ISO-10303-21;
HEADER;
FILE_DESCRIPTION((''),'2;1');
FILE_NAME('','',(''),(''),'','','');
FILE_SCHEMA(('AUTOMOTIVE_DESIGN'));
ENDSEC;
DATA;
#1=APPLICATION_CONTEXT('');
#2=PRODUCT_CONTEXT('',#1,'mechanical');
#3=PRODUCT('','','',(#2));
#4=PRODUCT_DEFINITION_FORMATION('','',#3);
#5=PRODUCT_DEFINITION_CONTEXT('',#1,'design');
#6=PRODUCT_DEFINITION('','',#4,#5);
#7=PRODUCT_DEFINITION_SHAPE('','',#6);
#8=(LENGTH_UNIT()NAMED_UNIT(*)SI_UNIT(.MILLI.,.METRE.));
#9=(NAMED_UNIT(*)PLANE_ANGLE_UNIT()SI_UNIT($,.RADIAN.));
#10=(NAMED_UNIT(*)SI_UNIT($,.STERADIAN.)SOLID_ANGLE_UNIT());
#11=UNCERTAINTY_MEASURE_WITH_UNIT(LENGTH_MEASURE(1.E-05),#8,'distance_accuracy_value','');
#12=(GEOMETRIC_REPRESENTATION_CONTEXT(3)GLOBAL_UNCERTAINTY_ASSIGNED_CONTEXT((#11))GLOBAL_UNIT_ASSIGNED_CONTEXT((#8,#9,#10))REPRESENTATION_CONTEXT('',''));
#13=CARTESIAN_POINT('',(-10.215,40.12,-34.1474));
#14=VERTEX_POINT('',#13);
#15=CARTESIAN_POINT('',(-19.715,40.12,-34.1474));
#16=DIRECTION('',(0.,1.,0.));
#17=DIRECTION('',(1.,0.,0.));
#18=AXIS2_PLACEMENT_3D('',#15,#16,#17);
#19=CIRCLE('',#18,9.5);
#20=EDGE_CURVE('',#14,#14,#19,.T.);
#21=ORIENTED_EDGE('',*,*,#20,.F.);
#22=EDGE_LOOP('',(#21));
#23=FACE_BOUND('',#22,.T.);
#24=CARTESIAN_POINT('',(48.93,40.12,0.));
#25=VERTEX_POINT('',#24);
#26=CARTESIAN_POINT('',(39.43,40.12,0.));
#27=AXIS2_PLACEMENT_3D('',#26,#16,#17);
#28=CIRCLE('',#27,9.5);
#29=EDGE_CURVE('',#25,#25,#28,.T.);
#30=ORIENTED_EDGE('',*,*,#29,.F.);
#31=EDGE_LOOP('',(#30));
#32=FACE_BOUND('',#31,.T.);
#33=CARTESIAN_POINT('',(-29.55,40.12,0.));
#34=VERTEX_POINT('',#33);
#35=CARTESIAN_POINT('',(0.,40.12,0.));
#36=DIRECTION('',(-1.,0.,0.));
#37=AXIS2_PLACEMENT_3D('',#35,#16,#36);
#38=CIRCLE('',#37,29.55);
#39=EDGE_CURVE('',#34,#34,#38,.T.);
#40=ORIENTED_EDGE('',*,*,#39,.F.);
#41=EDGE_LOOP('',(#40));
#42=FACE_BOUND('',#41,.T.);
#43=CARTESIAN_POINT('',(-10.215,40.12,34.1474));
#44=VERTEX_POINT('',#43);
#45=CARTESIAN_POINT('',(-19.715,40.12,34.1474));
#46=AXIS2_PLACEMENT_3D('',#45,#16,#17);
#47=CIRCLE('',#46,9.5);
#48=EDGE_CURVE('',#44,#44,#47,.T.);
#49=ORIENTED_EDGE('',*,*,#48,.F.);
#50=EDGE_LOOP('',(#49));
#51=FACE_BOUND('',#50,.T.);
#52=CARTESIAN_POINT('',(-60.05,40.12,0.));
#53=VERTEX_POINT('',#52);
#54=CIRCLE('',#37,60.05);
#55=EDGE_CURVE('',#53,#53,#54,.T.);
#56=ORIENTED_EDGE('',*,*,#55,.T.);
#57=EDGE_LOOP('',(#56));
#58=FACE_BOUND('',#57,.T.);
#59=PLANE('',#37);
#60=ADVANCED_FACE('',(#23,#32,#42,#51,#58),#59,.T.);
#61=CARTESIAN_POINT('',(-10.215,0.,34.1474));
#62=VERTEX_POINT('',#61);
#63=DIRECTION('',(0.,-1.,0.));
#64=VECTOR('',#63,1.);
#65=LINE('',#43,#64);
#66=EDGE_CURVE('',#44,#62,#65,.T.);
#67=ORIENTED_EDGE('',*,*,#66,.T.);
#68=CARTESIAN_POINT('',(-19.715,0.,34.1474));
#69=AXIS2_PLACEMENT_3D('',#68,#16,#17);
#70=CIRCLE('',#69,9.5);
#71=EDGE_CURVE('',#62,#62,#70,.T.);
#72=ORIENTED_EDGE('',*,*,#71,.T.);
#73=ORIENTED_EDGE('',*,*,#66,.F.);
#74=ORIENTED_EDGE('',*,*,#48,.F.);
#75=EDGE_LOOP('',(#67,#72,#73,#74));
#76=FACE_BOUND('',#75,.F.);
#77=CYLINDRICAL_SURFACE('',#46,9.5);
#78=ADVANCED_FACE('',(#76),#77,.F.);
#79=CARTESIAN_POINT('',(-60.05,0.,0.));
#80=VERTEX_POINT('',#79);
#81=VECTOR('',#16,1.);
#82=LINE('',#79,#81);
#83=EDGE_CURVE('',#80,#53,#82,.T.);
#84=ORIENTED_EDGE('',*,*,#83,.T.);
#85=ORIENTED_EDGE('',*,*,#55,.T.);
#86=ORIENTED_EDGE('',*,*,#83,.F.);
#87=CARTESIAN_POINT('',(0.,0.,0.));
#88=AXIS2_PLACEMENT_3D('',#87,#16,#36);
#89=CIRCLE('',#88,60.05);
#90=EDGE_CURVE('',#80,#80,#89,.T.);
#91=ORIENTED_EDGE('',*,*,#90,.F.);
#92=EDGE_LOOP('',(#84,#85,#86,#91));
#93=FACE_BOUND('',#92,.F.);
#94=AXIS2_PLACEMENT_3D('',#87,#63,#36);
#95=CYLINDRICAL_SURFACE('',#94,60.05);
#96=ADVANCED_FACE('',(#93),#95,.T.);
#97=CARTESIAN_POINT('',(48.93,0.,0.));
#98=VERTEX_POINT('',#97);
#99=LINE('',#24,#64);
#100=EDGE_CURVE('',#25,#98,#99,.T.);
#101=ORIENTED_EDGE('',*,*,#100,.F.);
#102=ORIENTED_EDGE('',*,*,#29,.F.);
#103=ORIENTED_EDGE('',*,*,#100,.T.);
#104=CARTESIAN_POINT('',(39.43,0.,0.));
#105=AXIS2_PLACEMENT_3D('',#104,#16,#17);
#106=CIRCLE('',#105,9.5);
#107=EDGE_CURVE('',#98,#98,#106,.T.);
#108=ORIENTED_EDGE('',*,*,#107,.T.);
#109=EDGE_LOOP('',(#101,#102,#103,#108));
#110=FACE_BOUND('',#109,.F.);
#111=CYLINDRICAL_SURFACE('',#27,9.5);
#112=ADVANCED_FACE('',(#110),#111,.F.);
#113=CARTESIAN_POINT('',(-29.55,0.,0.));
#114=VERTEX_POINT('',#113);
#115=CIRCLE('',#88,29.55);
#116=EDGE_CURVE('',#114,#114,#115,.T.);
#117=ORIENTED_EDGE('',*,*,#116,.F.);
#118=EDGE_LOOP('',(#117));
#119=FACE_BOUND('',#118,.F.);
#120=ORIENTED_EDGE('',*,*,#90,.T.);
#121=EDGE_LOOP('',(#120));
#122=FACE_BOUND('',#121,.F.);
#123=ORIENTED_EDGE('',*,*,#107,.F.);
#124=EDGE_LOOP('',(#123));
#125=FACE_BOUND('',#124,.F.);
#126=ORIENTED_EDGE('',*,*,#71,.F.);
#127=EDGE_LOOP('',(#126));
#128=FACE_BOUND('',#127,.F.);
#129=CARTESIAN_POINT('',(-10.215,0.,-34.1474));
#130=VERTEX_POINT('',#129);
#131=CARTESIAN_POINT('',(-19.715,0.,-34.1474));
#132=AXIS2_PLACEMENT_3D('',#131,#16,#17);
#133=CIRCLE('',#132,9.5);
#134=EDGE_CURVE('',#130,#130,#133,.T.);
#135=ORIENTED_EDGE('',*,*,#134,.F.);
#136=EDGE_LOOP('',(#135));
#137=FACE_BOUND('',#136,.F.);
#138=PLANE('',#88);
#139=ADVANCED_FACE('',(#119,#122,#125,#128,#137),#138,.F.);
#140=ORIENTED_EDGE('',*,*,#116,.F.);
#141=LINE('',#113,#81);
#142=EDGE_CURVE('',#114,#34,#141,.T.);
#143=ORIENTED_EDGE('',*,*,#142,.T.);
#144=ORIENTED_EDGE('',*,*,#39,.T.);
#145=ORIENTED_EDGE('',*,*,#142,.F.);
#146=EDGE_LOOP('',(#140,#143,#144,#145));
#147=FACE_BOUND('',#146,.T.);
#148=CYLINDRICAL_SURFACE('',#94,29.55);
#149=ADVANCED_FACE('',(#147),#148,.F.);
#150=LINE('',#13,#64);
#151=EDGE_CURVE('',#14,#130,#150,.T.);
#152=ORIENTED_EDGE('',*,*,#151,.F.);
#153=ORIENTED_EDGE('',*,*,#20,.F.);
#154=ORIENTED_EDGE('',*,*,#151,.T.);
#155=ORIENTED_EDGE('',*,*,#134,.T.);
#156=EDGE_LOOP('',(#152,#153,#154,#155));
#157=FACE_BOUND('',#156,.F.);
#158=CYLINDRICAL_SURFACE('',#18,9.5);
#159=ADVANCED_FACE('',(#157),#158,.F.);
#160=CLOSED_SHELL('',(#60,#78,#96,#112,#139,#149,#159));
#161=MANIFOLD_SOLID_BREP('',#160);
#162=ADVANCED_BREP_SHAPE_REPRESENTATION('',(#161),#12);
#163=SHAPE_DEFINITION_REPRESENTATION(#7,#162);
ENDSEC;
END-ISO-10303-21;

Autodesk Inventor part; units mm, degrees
ref_plane "YZ Plane" through (0, 0, 0) normal (1, 0, 0) x (0, 1, 0)
ref_plane "XZ Plane" through (0, 0, 0) normal (0, 1, 0) x (-1, 0, 0)
ref_plane "XY Plane" through (0, 0, 0) normal (0, 0, 1) x (1, 0, 0)
sketch "Sketch1" plane through (0, 0, 0) normal (0, 1, 0) x (-1, 0, 0)
  circle A0 centre (0, 0) radius 60.05
  circle A1 centre (0, 0) radius 29.55
extrude "Extrusion1" add sketch "Sketch1" along normal blind 40.12
sketch "Sketch2" plane through (0, 40.12, 0) normal (0, 1, 0) x (1, 0, 0)
  circle A0 centre (0, 0) radius 29.55 projected
  circle A1 centre (39.43, 0) radius 9.5
  circle A2 centre (-19.715, 34.1474) radius 9.5
  circle A3 centre (-19.715, -34.1474) radius 9.5
  dimension "d13" = 360
extrude "Extrusion2" cut sketch "Sketch2" against normal blind 40.12 contours A1 | A2 | A3
properties part number "chuck holder"
